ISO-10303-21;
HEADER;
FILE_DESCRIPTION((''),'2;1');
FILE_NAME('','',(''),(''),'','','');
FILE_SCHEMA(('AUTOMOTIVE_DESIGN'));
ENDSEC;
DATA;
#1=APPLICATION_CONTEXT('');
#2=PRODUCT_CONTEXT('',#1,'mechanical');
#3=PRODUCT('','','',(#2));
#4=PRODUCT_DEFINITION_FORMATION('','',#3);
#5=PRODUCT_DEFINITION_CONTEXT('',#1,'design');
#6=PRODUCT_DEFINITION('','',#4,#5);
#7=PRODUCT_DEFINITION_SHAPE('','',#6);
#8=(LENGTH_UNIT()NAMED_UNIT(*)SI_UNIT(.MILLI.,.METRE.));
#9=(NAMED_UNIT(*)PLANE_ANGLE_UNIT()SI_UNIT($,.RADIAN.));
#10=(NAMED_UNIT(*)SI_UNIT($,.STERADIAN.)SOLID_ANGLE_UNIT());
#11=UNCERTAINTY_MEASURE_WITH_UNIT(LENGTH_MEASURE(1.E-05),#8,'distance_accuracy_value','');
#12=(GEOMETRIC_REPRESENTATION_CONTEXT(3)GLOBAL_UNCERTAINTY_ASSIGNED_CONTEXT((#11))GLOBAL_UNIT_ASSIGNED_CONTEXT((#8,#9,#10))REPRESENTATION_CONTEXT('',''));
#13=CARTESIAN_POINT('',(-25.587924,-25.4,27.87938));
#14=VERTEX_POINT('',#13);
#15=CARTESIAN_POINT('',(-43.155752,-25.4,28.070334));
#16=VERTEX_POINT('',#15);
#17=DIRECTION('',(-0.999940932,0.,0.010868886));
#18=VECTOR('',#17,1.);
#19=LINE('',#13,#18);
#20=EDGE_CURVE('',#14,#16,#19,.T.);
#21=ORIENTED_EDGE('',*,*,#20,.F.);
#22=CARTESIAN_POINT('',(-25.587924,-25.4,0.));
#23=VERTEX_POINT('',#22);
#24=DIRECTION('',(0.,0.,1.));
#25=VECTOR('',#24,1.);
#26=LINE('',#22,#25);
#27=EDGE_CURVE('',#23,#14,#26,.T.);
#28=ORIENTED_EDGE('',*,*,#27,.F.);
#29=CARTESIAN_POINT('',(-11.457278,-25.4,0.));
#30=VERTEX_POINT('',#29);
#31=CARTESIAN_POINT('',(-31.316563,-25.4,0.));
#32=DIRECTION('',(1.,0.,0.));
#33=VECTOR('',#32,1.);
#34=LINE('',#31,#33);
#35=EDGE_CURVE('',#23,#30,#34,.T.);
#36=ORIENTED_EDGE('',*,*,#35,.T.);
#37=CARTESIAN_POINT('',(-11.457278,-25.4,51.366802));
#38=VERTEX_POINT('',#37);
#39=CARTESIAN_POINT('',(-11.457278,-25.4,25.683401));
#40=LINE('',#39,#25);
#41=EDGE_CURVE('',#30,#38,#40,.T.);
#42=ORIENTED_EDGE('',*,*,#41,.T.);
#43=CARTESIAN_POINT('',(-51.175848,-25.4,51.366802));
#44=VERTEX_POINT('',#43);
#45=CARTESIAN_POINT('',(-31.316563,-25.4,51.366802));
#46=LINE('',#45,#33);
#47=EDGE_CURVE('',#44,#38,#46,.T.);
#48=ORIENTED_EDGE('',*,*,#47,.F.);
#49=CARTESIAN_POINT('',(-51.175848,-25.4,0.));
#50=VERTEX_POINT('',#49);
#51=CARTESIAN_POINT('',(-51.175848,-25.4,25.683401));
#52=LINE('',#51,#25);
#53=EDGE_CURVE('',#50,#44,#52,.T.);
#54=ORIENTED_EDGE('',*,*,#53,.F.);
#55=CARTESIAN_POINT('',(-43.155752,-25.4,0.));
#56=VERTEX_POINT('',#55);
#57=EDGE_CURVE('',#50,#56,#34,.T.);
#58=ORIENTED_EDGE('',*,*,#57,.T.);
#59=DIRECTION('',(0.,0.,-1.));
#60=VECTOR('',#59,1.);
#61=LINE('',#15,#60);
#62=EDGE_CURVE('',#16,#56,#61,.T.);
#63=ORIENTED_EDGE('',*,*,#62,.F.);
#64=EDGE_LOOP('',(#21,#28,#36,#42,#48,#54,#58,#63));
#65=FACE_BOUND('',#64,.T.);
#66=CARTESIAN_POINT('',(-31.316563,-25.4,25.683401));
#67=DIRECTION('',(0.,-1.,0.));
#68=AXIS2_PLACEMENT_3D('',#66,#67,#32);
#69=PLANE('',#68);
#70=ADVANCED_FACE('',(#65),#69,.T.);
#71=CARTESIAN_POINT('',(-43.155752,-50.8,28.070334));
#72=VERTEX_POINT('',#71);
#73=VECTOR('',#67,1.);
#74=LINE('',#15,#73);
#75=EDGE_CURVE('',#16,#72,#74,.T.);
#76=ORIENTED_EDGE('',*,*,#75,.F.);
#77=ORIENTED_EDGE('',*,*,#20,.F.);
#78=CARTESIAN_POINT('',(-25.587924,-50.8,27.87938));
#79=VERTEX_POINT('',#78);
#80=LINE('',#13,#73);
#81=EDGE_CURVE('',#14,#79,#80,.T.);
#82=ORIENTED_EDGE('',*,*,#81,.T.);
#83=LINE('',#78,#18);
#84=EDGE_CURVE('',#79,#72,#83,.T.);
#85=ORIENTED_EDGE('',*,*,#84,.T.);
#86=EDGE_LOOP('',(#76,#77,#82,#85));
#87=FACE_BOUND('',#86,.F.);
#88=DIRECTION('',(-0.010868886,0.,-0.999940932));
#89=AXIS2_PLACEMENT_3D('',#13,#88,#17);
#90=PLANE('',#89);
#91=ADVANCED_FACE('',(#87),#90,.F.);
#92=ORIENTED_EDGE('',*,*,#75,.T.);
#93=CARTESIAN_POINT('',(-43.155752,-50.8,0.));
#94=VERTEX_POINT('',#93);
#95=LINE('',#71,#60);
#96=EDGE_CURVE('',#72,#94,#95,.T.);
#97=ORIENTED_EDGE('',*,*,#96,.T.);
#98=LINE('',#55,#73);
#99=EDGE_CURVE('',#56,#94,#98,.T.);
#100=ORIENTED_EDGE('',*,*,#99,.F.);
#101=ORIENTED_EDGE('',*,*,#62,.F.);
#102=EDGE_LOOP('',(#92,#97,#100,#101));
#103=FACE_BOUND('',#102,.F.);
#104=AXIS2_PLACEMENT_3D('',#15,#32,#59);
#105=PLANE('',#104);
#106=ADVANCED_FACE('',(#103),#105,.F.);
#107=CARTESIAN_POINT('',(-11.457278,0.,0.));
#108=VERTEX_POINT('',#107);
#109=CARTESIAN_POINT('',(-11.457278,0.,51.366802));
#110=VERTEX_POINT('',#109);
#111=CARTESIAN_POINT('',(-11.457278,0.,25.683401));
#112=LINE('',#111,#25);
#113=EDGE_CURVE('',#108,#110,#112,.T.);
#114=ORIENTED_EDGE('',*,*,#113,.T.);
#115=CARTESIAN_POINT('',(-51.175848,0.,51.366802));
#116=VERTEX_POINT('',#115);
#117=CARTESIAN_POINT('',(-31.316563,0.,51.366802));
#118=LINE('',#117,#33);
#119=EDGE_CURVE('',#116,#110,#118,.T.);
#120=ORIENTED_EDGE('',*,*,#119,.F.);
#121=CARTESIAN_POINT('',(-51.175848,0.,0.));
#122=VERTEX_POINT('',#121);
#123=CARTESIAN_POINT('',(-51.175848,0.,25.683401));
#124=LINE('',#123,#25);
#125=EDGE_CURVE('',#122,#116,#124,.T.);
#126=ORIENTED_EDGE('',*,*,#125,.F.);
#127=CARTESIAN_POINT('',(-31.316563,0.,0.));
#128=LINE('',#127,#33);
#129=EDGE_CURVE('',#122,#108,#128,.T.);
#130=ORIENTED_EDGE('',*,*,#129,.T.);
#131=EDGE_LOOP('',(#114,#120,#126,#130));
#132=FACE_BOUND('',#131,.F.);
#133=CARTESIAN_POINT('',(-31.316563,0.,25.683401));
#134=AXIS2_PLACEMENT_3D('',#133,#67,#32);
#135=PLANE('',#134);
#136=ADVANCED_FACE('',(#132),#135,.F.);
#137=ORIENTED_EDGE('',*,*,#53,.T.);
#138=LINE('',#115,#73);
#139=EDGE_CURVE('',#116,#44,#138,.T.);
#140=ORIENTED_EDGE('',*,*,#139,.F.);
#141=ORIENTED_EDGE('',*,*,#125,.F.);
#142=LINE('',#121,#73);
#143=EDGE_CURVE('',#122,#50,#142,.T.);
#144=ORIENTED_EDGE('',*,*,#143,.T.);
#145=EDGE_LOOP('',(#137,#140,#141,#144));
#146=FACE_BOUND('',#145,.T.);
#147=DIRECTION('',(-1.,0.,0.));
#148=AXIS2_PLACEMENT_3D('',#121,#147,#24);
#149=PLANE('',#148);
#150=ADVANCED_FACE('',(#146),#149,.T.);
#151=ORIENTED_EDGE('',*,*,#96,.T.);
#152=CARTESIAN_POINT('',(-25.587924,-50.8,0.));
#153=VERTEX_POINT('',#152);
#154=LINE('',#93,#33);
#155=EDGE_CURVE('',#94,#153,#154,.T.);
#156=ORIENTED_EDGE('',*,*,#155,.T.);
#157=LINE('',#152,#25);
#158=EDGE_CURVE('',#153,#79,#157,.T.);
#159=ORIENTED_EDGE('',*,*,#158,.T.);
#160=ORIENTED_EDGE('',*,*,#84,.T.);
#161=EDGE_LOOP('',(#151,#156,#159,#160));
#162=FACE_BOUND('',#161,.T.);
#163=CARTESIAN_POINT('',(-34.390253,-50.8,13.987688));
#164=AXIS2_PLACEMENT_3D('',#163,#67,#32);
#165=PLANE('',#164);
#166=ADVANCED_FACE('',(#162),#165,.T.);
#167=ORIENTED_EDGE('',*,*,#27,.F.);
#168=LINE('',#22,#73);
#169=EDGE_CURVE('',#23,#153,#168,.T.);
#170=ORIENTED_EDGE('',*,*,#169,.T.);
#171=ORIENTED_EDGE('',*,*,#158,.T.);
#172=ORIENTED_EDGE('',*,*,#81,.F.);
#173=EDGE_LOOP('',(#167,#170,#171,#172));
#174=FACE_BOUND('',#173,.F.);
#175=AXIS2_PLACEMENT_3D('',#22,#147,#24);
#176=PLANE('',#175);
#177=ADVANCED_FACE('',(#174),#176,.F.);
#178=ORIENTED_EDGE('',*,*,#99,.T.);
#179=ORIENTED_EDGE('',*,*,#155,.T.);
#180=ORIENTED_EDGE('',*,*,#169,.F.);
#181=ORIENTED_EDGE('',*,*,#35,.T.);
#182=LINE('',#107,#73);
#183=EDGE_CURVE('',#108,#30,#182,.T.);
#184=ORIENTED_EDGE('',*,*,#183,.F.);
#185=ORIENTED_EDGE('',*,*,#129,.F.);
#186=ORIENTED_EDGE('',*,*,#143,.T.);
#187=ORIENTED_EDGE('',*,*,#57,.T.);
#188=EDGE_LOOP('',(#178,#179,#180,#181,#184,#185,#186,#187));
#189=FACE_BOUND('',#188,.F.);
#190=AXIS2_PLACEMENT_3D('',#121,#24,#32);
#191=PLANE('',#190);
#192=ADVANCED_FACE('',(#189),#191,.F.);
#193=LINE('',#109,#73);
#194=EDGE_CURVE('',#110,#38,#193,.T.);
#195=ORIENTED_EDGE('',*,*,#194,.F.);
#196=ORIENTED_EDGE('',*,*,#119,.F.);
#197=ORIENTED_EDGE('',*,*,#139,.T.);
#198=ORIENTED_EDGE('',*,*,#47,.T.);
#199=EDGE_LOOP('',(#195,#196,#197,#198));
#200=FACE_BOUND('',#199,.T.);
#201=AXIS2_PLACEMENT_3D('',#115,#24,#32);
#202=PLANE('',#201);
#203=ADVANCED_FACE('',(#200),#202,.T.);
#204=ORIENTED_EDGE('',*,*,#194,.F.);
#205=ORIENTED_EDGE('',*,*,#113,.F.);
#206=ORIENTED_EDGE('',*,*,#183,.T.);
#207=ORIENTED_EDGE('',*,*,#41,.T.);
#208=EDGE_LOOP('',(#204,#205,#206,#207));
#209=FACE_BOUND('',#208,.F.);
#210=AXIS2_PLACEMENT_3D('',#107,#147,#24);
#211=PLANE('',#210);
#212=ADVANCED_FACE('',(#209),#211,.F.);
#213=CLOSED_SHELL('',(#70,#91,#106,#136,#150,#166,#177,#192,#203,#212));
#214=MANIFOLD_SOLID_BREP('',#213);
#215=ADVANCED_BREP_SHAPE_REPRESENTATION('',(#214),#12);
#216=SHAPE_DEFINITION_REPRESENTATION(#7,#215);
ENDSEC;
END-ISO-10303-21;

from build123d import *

# Parameters (mm, degrees)
F0_W     = 39.718569
F0_H     = 51.366802
F1_DEPTH = 25.4
F3_DEPTH = 25.4


with BuildPart() as f1:
    # F0 (on Front) → F1 (new body)
    with BuildSketch(Plane.XZ):
        with Locations((-31.316563, 25.683401)):
            Rectangle(F0_W, F0_H)
    extrude(amount=F1_DEPTH)

    # F2 (on face) → F3 (join)
    with BuildSketch(Plane.XZ.offset(25.4)):
        Polygon((-25.587924, 27.87938), (-43.155752, 28.070334), (-43.155752, 0), (-25.587924, 0), align=None)
    extrude(amount=F3_DEPTH)


solid = f1.part
